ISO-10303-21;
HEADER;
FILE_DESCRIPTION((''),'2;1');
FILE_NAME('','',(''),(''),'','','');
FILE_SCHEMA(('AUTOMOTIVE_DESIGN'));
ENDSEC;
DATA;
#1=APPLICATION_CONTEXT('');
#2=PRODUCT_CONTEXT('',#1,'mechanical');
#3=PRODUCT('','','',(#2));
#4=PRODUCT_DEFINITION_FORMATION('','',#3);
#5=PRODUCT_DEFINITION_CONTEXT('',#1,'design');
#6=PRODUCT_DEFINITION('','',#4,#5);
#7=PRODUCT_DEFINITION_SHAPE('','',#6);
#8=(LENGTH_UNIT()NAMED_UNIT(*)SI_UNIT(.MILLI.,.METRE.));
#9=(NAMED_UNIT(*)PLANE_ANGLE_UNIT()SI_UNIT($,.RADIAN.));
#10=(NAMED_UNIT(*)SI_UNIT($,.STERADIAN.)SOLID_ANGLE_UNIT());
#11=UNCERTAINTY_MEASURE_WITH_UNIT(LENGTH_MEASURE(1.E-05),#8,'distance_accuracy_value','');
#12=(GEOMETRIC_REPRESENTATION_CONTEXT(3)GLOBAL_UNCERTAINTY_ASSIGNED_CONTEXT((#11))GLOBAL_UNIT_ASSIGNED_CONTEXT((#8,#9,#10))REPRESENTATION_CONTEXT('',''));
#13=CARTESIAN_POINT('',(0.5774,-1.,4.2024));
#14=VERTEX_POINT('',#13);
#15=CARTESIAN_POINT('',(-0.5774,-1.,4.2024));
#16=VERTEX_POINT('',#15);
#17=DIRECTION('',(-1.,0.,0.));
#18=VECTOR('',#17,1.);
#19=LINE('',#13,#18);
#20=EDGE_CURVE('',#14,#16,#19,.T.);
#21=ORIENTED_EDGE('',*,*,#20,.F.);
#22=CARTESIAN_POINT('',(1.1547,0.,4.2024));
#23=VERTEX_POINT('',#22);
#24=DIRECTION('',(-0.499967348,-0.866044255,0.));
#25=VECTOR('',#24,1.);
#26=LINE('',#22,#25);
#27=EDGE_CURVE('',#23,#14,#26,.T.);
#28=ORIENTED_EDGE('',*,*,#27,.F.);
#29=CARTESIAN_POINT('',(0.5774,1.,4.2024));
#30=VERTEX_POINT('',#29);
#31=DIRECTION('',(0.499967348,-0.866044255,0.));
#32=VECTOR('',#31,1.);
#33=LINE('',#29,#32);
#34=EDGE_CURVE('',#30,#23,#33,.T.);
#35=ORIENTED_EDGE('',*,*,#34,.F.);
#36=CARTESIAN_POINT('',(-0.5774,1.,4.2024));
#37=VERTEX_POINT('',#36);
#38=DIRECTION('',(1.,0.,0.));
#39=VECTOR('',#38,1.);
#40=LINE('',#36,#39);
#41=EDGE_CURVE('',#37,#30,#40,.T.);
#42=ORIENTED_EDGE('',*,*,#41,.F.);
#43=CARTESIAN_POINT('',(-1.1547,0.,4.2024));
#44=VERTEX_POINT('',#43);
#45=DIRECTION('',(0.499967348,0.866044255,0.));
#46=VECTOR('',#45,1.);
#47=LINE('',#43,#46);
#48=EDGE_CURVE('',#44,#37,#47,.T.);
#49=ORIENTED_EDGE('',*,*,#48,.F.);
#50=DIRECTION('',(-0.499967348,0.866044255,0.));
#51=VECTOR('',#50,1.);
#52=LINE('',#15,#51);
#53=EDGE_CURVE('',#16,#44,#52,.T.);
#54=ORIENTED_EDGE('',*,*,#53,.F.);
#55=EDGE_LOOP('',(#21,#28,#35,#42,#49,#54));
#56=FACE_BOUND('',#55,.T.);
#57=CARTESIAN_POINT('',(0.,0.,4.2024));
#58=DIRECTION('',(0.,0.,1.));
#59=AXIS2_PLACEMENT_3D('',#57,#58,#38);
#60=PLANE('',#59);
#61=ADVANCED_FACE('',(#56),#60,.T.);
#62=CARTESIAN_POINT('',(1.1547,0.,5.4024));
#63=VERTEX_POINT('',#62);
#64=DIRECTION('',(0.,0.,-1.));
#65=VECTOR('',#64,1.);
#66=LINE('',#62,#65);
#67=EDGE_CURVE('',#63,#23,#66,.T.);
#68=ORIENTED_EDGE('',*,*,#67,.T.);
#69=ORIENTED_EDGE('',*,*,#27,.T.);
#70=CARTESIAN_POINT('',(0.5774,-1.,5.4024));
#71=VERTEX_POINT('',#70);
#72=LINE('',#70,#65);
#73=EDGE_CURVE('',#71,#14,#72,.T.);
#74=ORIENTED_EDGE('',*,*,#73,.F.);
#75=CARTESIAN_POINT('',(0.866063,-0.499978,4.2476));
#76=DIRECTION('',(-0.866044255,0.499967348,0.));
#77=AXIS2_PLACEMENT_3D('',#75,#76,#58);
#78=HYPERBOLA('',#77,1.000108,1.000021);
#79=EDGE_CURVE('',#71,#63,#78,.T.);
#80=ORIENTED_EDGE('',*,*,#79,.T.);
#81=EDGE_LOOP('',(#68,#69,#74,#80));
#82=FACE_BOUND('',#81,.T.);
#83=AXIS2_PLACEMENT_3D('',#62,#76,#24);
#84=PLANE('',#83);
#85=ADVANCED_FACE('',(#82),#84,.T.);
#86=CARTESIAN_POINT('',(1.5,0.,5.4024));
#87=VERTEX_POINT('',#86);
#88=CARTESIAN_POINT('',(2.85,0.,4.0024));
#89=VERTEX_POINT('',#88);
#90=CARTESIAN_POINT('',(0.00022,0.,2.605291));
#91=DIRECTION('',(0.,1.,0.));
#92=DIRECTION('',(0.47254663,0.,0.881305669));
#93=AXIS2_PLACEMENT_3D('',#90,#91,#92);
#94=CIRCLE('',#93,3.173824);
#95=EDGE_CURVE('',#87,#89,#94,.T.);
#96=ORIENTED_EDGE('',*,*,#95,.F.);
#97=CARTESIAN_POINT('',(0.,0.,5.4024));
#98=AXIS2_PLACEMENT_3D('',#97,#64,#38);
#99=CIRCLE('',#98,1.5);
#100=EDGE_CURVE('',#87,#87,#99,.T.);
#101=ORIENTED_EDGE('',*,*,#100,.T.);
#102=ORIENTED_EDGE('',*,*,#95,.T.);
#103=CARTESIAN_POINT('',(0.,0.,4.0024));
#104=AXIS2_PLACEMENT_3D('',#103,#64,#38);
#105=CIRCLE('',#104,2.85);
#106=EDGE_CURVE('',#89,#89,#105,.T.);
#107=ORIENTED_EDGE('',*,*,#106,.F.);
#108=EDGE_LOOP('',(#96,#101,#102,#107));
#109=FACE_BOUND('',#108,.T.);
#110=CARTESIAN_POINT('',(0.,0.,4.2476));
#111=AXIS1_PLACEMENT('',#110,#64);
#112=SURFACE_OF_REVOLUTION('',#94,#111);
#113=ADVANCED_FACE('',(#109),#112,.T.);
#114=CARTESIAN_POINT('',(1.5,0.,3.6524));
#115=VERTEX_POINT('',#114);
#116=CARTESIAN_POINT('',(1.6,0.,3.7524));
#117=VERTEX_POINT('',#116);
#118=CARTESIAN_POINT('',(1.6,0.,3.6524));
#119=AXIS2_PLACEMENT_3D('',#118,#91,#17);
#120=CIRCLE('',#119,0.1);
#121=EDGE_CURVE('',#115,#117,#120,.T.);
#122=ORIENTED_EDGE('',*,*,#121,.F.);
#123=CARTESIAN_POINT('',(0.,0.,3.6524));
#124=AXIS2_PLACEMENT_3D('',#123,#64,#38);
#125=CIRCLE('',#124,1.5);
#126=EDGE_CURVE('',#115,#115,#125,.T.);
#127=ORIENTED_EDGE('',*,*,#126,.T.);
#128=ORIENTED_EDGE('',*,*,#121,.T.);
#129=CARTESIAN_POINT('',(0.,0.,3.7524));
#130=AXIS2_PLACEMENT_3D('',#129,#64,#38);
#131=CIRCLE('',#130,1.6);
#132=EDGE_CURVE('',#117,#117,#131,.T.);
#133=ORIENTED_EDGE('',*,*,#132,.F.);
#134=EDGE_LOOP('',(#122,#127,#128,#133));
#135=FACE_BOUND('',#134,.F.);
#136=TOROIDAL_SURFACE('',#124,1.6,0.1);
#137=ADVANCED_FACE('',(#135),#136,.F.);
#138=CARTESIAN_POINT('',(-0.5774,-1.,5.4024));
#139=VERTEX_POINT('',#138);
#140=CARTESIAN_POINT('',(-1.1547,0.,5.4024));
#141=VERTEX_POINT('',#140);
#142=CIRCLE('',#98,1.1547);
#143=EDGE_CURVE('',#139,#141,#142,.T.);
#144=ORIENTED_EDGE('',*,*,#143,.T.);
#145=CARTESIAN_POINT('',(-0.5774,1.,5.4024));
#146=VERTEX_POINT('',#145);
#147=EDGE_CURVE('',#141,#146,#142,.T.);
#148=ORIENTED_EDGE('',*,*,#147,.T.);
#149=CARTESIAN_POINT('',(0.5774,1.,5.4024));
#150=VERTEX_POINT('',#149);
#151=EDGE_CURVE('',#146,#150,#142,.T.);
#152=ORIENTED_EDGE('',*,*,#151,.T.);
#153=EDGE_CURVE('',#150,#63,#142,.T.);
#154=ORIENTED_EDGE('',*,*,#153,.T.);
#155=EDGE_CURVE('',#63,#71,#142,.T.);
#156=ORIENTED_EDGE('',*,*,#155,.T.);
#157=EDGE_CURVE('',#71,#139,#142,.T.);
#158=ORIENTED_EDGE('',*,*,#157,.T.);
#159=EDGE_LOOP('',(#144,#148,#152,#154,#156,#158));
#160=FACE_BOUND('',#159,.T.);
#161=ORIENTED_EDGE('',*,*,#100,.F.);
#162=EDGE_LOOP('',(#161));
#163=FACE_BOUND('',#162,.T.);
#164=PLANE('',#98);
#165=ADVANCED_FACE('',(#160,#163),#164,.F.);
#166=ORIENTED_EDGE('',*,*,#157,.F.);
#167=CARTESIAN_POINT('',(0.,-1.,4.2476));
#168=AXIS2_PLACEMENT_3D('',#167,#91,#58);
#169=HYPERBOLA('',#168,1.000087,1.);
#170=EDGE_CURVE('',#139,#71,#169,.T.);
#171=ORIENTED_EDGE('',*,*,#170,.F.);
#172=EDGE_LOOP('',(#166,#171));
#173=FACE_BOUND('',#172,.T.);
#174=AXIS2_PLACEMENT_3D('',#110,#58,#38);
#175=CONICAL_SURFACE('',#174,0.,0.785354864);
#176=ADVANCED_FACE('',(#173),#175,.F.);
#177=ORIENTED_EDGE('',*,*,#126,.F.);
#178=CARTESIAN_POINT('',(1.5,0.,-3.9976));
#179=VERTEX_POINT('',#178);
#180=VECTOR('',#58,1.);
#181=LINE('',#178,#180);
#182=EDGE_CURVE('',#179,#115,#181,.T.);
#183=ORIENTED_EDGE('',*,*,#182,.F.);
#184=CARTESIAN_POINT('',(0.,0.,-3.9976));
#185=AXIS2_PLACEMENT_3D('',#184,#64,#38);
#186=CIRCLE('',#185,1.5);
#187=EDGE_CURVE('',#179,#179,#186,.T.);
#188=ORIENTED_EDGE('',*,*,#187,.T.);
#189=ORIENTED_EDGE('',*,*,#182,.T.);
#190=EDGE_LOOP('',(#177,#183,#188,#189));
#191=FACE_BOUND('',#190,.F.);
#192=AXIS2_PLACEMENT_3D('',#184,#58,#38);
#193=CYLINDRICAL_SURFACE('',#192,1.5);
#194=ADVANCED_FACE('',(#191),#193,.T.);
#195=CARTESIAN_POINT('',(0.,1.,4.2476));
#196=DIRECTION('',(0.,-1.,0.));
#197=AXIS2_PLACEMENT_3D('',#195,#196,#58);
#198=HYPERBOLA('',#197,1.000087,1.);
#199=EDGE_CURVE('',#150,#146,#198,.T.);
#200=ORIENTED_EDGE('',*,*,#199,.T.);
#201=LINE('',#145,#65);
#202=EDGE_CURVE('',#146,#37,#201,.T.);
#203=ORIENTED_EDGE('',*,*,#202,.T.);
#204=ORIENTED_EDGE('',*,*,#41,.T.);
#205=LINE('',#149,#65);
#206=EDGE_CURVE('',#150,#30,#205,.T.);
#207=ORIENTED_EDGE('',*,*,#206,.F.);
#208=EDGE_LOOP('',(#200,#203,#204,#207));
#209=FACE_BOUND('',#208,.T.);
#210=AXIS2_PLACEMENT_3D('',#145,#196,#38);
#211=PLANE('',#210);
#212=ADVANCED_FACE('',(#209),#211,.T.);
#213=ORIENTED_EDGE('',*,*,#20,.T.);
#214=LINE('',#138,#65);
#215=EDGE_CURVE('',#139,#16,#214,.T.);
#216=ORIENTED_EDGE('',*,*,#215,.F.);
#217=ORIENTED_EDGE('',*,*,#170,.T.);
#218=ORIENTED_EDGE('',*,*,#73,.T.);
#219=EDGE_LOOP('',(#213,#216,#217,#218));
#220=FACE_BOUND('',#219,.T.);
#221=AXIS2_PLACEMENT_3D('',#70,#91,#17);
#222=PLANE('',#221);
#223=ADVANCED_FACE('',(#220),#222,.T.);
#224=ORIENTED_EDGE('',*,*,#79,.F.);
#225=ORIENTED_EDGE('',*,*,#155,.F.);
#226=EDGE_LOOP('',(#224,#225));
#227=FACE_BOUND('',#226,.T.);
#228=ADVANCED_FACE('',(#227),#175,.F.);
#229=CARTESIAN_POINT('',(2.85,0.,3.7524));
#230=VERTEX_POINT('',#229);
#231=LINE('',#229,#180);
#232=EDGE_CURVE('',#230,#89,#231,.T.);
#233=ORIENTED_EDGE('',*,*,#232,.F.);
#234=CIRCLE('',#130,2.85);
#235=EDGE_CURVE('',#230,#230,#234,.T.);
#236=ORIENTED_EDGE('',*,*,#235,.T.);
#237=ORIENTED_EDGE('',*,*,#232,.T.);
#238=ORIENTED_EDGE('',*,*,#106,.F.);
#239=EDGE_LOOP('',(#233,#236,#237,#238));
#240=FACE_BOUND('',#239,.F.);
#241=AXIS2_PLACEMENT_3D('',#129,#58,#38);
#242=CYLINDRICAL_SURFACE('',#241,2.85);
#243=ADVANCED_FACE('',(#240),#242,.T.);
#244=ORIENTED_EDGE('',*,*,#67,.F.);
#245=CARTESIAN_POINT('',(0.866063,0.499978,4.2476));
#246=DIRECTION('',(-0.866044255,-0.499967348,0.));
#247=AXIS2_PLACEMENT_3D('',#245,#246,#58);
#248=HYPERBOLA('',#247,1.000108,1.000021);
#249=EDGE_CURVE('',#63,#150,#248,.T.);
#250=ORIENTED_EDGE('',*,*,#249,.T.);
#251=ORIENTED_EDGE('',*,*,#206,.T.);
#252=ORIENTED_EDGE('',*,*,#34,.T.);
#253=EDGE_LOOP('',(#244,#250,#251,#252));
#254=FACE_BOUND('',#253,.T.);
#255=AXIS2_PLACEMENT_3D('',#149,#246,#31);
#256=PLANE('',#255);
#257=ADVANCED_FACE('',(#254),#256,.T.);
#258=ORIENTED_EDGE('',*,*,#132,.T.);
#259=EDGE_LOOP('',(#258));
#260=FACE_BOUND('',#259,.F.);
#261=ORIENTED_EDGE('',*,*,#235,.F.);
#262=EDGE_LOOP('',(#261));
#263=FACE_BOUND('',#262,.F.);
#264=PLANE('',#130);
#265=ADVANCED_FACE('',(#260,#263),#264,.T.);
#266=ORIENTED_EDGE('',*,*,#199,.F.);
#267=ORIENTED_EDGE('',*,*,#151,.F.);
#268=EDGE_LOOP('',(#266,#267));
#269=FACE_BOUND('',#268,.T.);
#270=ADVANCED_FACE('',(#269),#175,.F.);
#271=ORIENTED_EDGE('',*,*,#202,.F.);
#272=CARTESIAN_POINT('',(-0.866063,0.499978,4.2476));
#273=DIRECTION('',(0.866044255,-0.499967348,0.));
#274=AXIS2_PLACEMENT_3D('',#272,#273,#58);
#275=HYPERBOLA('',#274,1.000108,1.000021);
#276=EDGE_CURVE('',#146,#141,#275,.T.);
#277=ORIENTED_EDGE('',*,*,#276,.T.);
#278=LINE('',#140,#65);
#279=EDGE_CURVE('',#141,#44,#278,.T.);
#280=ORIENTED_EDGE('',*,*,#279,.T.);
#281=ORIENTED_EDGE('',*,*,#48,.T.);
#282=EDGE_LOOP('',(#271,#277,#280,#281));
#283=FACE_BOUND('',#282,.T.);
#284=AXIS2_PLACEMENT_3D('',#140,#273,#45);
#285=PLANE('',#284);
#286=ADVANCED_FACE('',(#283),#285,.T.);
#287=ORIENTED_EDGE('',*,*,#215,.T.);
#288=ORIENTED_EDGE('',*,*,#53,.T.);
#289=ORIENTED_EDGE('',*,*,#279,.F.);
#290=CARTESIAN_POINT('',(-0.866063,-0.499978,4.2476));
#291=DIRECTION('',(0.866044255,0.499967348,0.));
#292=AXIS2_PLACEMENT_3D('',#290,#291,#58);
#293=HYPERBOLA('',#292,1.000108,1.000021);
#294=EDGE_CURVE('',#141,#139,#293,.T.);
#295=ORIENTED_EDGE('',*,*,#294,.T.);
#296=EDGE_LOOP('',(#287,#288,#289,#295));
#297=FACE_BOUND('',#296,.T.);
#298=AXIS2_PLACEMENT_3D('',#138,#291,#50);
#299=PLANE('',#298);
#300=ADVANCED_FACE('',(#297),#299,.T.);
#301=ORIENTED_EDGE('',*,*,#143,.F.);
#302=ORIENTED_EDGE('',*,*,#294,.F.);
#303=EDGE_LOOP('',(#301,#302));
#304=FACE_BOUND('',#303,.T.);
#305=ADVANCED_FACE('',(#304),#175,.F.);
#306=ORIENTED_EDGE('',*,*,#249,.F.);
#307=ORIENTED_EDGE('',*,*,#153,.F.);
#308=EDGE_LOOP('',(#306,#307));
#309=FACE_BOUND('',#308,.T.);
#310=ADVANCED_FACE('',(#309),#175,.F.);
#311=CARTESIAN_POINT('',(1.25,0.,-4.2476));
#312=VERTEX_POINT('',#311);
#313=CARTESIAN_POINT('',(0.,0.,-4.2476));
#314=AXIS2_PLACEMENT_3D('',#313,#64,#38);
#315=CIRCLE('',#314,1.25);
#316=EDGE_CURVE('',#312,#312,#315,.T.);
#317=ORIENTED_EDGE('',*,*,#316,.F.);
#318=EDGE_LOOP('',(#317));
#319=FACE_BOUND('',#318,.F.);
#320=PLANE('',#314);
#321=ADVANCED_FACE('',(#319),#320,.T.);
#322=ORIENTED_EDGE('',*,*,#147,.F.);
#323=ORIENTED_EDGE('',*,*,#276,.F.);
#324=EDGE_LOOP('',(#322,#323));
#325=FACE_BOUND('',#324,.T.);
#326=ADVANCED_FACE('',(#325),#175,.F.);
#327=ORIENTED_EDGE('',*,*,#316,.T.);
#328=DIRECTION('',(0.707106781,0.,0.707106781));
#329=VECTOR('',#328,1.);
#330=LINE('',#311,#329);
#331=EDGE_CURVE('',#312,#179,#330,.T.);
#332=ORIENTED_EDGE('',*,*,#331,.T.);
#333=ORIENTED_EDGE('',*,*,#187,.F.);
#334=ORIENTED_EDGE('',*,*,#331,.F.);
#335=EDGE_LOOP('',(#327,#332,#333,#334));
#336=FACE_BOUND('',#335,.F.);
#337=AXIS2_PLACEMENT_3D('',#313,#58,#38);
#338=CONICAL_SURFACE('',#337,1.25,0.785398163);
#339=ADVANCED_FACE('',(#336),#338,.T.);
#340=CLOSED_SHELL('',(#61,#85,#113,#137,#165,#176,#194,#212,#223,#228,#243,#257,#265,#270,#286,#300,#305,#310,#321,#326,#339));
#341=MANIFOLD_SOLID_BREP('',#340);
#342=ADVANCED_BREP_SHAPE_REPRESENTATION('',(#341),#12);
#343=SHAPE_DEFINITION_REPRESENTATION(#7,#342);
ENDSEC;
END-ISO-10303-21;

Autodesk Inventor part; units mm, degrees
ref_plane "YZ Plane" through (0, 0, 0) normal (1, 0, 0) x (0, 1, 0)
ref_plane "XZ Plane" through (0, 0, 0) normal (0, 1, 0) x (-1, 0, 0)
ref_plane "XY Plane" through (0, 0, 0) normal (0, 0, 1) x (1, 0, 0)
sketch "Sketch1" plane through (0, 0, 0) normal (0, 1, 0) x (-1, 0, 0)
  line L0 (0, 4.2476) -> (0, -4.2476)
  line L1 (0, -4.2476) -> (-1.25, -4.2476)
  line L2 (-1.25, -4.2476) -> (-1.5, -3.9976)
  line L3 (-1.5, -3.9976) -> (-1.5, 3.6524)
  line L4 (-1.6, 3.7524) -> (-2.85, 3.7524)
  line L5 (-2.85, 3.7524) -> (-2.85, 4.0024)
  line L6 (0, 4.2476) -> (-1.1547, 5.4024)
  line L7 (-1.1547, 5.4024) -> (-1.5, 5.4024)
  arc A0 (-1.5, 5.4024) -> (-2.85, 4.0024) centre (0, 2.605) ccw
  line L8 (-1.1547, 5.4024) -> (-0.5774, 6.4024) construction
  line L9 (-0.5774, 6.4024) -> (0.5774, 6.4024) construction
  line L10 (0.5774, 6.4024) -> (1.1547, 5.4024) construction
  line L11 (1.1547, 5.4024) -> (0.5774, 4.4024) construction
  line L12 (0.5774, 4.4024) -> (-0.5774, 4.4024) construction
  line L13 (-0.5774, 4.4024) -> (-1.1547, 5.4024) construction
  arc A1 (-1.5, 3.6524) -> (-1.6, 3.7524) centre (-1.6, 3.6524) ccw
  point P0 (0, 0)
  point P1 (-1.5, 3.7524)
  point P2 (0, 0)
  point P3 (0, 5.4024)
  dimension "d0" = 3
  dimension "d1" = 8
  dimension "d2" = 0.25
  dimension "d3" = 135
  dimension "d4" = 5.7
  dimension "d5" = 3
  dimension "d6" = 1.65
  dimension "d7" = 2
  dimension "d8" = 0.25
  dimension "d15" = 3.2
revolve "Revolution1" add sketch "Sketch1" angle 360 about axis through (0, 0, 4.2476) along (0, 0, -1)
sketch "Sketch2" plane through (0, 0, 5.4024) normal (0, 0, 1) x (1, 0, 0)
  circle A0 centre (0, 0) radius 1.1547 projected
  circle A1 centre (0, 0) radius 1.5 projected
  line L0 (-1.1547, 0) -> (-0.5774, 1)
  line L1 (-0.5774, 1) -> (0.5774, 1)
  line L2 (0.5774, 1) -> (1.1547, 0)
  line L3 (1.1547, 0) -> (0.5774, -1)
  line L4 (0.5774, -1) -> (-0.5774, -1)
  line L5 (-0.5774, -1) -> (-1.1547, 0)
  point P0 (0, 0)
extrude "Extrusion1" cut sketch "Sketch2" against normal blind 1.2 contours L3 L4 L5 L0 L1 L2
thread "Thread1" size "M3x0.5" class "6g" standard "ANSI Metric M Profile" full length
properties part number "48-0380" material "Stainless Steel"
